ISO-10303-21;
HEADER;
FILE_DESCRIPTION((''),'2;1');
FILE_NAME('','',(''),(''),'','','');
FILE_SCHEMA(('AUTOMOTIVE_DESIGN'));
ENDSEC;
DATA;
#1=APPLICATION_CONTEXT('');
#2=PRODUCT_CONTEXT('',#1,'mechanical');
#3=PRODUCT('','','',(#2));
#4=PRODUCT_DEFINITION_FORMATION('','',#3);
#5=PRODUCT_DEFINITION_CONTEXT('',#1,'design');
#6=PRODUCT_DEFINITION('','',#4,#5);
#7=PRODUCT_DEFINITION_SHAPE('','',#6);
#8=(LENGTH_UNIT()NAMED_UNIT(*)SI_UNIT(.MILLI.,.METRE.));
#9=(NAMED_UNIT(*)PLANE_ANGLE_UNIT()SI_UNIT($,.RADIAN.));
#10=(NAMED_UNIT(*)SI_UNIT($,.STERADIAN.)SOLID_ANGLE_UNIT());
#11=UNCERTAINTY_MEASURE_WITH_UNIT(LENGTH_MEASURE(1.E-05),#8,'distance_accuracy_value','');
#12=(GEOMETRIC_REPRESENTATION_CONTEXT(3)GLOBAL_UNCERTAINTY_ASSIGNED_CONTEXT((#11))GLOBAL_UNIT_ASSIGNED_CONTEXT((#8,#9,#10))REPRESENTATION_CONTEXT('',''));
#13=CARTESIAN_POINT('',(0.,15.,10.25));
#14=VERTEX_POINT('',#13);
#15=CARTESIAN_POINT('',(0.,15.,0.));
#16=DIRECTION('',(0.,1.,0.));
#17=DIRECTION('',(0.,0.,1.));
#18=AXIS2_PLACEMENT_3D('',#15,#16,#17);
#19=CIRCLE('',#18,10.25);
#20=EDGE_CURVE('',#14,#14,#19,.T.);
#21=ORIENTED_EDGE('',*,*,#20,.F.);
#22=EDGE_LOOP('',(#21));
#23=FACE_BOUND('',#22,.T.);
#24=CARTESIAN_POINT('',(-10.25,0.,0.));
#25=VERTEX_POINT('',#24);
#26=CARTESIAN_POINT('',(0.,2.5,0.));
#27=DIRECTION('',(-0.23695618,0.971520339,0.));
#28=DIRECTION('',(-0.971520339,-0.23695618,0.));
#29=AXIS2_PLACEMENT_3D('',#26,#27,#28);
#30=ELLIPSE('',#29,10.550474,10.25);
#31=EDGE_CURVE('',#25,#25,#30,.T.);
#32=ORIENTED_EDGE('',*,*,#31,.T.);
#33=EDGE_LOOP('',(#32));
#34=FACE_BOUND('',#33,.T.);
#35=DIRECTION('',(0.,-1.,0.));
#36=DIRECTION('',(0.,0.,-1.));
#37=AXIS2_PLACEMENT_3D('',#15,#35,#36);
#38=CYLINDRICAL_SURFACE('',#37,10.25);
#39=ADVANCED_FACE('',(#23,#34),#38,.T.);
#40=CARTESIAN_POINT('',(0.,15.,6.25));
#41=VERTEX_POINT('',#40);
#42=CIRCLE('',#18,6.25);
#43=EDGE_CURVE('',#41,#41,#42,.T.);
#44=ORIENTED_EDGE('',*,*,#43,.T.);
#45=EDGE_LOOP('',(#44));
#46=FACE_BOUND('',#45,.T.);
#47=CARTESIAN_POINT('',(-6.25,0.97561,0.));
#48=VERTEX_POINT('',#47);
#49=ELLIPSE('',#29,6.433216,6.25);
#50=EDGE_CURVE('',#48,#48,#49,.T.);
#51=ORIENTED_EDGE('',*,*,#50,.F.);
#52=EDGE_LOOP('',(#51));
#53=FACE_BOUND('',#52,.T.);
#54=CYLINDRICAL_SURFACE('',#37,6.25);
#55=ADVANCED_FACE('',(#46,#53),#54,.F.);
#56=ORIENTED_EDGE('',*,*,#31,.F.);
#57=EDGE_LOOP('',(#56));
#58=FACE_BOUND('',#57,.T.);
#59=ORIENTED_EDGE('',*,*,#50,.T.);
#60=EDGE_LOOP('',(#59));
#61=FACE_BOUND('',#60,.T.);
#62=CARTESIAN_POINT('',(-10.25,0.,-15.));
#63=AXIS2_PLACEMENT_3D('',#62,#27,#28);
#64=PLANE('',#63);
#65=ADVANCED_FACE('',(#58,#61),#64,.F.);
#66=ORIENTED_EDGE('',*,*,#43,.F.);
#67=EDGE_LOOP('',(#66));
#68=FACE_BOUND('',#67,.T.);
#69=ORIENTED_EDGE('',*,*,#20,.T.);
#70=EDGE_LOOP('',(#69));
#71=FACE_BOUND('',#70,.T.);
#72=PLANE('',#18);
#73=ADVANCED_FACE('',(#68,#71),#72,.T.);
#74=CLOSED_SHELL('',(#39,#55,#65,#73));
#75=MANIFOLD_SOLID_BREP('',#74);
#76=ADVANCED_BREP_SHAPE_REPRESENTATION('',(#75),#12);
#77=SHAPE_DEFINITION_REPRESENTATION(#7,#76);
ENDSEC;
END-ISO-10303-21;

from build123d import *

# Parameters (mm, degrees)
SKETCH1_R           = 10.25
SKETCH1_R_2         = 6.25
BOSS_EXTRUDE1_DEPTH = 15
CUT_EXTRUDE1_DEPTH  = 15


with BuildPart() as part:
    # Sketch1 → Boss-Extrude1 (new body)
    with BuildSketch(Plane(origin=(0, 0, 0), x_dir=(1, 0, 0), z_dir=(0, 1, 0))):
        with Locations(Location((0, 0, 0), (0, 0, 270))):
            Circle(SKETCH1_R)
        with Locations(Location((0, 0, 0), (0, 0, 270))):
            Circle(SKETCH1_R_2, mode=Mode.SUBTRACT)
    extrude(amount=BOSS_EXTRUDE1_DEPTH)

    # Sketch3 → Cut-Extrude1 (cut, symmetric)
    with BuildSketch(Plane.XY):
        Polygon((-10.25, 0), (10.25, 5), (10.25, 0), align=None)
    extrude(amount=CUT_EXTRUDE1_DEPTH, both=True, mode=Mode.SUBTRACT)


solid = part.part
